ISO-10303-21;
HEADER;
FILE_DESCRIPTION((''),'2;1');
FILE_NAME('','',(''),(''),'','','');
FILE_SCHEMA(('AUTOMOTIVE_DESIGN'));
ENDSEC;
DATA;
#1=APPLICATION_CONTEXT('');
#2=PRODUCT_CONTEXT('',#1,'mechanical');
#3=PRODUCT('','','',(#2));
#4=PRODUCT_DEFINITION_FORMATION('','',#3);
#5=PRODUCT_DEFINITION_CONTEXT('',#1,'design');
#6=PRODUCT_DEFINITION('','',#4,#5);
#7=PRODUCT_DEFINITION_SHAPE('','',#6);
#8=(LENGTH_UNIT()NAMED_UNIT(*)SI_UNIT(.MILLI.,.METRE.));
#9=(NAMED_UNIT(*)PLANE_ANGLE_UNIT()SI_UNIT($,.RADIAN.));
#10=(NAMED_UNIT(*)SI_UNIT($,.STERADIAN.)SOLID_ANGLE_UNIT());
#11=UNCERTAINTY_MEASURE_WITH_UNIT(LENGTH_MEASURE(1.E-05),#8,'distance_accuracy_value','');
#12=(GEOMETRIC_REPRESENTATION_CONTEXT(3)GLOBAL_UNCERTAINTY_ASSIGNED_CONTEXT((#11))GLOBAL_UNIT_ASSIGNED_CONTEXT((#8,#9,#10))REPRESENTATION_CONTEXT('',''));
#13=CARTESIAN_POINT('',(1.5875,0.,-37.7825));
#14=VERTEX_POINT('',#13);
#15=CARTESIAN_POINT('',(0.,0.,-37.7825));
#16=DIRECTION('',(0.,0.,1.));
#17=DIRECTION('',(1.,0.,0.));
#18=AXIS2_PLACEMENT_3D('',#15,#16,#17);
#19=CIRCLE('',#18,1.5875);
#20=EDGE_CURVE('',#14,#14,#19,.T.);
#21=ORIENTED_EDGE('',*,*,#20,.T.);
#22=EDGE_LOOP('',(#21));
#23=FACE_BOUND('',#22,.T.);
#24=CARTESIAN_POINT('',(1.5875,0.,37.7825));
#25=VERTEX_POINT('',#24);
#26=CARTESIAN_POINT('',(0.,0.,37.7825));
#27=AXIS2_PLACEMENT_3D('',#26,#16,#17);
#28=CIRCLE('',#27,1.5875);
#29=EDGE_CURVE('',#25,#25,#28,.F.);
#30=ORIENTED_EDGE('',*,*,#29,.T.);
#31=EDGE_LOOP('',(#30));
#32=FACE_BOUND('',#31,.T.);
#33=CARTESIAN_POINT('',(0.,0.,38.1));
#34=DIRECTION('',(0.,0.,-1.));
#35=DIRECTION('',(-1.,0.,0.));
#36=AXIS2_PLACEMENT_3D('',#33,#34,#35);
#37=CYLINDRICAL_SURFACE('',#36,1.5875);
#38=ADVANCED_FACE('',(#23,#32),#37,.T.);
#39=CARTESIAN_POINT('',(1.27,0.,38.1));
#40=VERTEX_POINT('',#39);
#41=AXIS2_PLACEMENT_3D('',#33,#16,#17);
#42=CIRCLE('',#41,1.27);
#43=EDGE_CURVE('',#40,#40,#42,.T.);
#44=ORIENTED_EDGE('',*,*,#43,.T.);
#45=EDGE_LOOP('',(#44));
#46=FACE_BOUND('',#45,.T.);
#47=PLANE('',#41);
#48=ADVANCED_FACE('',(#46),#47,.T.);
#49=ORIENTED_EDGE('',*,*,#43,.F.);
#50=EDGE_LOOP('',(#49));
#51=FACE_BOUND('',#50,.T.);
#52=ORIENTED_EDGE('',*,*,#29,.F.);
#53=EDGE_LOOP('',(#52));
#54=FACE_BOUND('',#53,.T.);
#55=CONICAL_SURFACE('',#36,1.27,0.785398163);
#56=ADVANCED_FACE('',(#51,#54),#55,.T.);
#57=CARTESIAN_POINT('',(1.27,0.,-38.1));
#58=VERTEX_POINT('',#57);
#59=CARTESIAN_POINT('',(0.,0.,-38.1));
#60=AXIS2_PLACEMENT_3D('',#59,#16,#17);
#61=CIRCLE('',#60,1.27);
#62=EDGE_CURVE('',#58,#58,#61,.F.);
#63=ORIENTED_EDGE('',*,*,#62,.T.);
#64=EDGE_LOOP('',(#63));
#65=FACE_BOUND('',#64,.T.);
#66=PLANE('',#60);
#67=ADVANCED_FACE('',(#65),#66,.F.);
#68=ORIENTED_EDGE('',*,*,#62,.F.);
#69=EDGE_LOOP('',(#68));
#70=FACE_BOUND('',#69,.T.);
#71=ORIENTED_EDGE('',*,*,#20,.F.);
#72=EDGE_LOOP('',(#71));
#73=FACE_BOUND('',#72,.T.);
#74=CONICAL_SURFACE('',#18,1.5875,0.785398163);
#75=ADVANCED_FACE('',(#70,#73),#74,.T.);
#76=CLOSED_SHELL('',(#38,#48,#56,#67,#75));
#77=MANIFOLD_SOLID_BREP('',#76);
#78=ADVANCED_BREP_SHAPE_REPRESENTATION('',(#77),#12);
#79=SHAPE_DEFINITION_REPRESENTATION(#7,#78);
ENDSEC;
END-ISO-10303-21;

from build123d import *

# Parameters (mm, degrees)
SKETCH3_R           = 1.5875
BOSS_EXTRUDE1_DEPTH = 38.1
CHAMFER1_SIZE       = 0.3175


with BuildPart() as part:
    # Sketch3 → Boss-Extrude1 (new body, symmetric)
    with BuildSketch(Plane.XY):
        Circle(SKETCH3_R)
    extrude(amount=BOSS_EXTRUDE1_DEPTH, both=True)

    # Chamfer1
    chamfer1_edges = [part.edges().sort_by_distance(p)[0] for p in [
        (-1.5875, 0, -38.1),
        (-1.5875, 0, 38.1),
    ]]
    chamfer(chamfer1_edges, length=CHAMFER1_SIZE)


solid = part.part
